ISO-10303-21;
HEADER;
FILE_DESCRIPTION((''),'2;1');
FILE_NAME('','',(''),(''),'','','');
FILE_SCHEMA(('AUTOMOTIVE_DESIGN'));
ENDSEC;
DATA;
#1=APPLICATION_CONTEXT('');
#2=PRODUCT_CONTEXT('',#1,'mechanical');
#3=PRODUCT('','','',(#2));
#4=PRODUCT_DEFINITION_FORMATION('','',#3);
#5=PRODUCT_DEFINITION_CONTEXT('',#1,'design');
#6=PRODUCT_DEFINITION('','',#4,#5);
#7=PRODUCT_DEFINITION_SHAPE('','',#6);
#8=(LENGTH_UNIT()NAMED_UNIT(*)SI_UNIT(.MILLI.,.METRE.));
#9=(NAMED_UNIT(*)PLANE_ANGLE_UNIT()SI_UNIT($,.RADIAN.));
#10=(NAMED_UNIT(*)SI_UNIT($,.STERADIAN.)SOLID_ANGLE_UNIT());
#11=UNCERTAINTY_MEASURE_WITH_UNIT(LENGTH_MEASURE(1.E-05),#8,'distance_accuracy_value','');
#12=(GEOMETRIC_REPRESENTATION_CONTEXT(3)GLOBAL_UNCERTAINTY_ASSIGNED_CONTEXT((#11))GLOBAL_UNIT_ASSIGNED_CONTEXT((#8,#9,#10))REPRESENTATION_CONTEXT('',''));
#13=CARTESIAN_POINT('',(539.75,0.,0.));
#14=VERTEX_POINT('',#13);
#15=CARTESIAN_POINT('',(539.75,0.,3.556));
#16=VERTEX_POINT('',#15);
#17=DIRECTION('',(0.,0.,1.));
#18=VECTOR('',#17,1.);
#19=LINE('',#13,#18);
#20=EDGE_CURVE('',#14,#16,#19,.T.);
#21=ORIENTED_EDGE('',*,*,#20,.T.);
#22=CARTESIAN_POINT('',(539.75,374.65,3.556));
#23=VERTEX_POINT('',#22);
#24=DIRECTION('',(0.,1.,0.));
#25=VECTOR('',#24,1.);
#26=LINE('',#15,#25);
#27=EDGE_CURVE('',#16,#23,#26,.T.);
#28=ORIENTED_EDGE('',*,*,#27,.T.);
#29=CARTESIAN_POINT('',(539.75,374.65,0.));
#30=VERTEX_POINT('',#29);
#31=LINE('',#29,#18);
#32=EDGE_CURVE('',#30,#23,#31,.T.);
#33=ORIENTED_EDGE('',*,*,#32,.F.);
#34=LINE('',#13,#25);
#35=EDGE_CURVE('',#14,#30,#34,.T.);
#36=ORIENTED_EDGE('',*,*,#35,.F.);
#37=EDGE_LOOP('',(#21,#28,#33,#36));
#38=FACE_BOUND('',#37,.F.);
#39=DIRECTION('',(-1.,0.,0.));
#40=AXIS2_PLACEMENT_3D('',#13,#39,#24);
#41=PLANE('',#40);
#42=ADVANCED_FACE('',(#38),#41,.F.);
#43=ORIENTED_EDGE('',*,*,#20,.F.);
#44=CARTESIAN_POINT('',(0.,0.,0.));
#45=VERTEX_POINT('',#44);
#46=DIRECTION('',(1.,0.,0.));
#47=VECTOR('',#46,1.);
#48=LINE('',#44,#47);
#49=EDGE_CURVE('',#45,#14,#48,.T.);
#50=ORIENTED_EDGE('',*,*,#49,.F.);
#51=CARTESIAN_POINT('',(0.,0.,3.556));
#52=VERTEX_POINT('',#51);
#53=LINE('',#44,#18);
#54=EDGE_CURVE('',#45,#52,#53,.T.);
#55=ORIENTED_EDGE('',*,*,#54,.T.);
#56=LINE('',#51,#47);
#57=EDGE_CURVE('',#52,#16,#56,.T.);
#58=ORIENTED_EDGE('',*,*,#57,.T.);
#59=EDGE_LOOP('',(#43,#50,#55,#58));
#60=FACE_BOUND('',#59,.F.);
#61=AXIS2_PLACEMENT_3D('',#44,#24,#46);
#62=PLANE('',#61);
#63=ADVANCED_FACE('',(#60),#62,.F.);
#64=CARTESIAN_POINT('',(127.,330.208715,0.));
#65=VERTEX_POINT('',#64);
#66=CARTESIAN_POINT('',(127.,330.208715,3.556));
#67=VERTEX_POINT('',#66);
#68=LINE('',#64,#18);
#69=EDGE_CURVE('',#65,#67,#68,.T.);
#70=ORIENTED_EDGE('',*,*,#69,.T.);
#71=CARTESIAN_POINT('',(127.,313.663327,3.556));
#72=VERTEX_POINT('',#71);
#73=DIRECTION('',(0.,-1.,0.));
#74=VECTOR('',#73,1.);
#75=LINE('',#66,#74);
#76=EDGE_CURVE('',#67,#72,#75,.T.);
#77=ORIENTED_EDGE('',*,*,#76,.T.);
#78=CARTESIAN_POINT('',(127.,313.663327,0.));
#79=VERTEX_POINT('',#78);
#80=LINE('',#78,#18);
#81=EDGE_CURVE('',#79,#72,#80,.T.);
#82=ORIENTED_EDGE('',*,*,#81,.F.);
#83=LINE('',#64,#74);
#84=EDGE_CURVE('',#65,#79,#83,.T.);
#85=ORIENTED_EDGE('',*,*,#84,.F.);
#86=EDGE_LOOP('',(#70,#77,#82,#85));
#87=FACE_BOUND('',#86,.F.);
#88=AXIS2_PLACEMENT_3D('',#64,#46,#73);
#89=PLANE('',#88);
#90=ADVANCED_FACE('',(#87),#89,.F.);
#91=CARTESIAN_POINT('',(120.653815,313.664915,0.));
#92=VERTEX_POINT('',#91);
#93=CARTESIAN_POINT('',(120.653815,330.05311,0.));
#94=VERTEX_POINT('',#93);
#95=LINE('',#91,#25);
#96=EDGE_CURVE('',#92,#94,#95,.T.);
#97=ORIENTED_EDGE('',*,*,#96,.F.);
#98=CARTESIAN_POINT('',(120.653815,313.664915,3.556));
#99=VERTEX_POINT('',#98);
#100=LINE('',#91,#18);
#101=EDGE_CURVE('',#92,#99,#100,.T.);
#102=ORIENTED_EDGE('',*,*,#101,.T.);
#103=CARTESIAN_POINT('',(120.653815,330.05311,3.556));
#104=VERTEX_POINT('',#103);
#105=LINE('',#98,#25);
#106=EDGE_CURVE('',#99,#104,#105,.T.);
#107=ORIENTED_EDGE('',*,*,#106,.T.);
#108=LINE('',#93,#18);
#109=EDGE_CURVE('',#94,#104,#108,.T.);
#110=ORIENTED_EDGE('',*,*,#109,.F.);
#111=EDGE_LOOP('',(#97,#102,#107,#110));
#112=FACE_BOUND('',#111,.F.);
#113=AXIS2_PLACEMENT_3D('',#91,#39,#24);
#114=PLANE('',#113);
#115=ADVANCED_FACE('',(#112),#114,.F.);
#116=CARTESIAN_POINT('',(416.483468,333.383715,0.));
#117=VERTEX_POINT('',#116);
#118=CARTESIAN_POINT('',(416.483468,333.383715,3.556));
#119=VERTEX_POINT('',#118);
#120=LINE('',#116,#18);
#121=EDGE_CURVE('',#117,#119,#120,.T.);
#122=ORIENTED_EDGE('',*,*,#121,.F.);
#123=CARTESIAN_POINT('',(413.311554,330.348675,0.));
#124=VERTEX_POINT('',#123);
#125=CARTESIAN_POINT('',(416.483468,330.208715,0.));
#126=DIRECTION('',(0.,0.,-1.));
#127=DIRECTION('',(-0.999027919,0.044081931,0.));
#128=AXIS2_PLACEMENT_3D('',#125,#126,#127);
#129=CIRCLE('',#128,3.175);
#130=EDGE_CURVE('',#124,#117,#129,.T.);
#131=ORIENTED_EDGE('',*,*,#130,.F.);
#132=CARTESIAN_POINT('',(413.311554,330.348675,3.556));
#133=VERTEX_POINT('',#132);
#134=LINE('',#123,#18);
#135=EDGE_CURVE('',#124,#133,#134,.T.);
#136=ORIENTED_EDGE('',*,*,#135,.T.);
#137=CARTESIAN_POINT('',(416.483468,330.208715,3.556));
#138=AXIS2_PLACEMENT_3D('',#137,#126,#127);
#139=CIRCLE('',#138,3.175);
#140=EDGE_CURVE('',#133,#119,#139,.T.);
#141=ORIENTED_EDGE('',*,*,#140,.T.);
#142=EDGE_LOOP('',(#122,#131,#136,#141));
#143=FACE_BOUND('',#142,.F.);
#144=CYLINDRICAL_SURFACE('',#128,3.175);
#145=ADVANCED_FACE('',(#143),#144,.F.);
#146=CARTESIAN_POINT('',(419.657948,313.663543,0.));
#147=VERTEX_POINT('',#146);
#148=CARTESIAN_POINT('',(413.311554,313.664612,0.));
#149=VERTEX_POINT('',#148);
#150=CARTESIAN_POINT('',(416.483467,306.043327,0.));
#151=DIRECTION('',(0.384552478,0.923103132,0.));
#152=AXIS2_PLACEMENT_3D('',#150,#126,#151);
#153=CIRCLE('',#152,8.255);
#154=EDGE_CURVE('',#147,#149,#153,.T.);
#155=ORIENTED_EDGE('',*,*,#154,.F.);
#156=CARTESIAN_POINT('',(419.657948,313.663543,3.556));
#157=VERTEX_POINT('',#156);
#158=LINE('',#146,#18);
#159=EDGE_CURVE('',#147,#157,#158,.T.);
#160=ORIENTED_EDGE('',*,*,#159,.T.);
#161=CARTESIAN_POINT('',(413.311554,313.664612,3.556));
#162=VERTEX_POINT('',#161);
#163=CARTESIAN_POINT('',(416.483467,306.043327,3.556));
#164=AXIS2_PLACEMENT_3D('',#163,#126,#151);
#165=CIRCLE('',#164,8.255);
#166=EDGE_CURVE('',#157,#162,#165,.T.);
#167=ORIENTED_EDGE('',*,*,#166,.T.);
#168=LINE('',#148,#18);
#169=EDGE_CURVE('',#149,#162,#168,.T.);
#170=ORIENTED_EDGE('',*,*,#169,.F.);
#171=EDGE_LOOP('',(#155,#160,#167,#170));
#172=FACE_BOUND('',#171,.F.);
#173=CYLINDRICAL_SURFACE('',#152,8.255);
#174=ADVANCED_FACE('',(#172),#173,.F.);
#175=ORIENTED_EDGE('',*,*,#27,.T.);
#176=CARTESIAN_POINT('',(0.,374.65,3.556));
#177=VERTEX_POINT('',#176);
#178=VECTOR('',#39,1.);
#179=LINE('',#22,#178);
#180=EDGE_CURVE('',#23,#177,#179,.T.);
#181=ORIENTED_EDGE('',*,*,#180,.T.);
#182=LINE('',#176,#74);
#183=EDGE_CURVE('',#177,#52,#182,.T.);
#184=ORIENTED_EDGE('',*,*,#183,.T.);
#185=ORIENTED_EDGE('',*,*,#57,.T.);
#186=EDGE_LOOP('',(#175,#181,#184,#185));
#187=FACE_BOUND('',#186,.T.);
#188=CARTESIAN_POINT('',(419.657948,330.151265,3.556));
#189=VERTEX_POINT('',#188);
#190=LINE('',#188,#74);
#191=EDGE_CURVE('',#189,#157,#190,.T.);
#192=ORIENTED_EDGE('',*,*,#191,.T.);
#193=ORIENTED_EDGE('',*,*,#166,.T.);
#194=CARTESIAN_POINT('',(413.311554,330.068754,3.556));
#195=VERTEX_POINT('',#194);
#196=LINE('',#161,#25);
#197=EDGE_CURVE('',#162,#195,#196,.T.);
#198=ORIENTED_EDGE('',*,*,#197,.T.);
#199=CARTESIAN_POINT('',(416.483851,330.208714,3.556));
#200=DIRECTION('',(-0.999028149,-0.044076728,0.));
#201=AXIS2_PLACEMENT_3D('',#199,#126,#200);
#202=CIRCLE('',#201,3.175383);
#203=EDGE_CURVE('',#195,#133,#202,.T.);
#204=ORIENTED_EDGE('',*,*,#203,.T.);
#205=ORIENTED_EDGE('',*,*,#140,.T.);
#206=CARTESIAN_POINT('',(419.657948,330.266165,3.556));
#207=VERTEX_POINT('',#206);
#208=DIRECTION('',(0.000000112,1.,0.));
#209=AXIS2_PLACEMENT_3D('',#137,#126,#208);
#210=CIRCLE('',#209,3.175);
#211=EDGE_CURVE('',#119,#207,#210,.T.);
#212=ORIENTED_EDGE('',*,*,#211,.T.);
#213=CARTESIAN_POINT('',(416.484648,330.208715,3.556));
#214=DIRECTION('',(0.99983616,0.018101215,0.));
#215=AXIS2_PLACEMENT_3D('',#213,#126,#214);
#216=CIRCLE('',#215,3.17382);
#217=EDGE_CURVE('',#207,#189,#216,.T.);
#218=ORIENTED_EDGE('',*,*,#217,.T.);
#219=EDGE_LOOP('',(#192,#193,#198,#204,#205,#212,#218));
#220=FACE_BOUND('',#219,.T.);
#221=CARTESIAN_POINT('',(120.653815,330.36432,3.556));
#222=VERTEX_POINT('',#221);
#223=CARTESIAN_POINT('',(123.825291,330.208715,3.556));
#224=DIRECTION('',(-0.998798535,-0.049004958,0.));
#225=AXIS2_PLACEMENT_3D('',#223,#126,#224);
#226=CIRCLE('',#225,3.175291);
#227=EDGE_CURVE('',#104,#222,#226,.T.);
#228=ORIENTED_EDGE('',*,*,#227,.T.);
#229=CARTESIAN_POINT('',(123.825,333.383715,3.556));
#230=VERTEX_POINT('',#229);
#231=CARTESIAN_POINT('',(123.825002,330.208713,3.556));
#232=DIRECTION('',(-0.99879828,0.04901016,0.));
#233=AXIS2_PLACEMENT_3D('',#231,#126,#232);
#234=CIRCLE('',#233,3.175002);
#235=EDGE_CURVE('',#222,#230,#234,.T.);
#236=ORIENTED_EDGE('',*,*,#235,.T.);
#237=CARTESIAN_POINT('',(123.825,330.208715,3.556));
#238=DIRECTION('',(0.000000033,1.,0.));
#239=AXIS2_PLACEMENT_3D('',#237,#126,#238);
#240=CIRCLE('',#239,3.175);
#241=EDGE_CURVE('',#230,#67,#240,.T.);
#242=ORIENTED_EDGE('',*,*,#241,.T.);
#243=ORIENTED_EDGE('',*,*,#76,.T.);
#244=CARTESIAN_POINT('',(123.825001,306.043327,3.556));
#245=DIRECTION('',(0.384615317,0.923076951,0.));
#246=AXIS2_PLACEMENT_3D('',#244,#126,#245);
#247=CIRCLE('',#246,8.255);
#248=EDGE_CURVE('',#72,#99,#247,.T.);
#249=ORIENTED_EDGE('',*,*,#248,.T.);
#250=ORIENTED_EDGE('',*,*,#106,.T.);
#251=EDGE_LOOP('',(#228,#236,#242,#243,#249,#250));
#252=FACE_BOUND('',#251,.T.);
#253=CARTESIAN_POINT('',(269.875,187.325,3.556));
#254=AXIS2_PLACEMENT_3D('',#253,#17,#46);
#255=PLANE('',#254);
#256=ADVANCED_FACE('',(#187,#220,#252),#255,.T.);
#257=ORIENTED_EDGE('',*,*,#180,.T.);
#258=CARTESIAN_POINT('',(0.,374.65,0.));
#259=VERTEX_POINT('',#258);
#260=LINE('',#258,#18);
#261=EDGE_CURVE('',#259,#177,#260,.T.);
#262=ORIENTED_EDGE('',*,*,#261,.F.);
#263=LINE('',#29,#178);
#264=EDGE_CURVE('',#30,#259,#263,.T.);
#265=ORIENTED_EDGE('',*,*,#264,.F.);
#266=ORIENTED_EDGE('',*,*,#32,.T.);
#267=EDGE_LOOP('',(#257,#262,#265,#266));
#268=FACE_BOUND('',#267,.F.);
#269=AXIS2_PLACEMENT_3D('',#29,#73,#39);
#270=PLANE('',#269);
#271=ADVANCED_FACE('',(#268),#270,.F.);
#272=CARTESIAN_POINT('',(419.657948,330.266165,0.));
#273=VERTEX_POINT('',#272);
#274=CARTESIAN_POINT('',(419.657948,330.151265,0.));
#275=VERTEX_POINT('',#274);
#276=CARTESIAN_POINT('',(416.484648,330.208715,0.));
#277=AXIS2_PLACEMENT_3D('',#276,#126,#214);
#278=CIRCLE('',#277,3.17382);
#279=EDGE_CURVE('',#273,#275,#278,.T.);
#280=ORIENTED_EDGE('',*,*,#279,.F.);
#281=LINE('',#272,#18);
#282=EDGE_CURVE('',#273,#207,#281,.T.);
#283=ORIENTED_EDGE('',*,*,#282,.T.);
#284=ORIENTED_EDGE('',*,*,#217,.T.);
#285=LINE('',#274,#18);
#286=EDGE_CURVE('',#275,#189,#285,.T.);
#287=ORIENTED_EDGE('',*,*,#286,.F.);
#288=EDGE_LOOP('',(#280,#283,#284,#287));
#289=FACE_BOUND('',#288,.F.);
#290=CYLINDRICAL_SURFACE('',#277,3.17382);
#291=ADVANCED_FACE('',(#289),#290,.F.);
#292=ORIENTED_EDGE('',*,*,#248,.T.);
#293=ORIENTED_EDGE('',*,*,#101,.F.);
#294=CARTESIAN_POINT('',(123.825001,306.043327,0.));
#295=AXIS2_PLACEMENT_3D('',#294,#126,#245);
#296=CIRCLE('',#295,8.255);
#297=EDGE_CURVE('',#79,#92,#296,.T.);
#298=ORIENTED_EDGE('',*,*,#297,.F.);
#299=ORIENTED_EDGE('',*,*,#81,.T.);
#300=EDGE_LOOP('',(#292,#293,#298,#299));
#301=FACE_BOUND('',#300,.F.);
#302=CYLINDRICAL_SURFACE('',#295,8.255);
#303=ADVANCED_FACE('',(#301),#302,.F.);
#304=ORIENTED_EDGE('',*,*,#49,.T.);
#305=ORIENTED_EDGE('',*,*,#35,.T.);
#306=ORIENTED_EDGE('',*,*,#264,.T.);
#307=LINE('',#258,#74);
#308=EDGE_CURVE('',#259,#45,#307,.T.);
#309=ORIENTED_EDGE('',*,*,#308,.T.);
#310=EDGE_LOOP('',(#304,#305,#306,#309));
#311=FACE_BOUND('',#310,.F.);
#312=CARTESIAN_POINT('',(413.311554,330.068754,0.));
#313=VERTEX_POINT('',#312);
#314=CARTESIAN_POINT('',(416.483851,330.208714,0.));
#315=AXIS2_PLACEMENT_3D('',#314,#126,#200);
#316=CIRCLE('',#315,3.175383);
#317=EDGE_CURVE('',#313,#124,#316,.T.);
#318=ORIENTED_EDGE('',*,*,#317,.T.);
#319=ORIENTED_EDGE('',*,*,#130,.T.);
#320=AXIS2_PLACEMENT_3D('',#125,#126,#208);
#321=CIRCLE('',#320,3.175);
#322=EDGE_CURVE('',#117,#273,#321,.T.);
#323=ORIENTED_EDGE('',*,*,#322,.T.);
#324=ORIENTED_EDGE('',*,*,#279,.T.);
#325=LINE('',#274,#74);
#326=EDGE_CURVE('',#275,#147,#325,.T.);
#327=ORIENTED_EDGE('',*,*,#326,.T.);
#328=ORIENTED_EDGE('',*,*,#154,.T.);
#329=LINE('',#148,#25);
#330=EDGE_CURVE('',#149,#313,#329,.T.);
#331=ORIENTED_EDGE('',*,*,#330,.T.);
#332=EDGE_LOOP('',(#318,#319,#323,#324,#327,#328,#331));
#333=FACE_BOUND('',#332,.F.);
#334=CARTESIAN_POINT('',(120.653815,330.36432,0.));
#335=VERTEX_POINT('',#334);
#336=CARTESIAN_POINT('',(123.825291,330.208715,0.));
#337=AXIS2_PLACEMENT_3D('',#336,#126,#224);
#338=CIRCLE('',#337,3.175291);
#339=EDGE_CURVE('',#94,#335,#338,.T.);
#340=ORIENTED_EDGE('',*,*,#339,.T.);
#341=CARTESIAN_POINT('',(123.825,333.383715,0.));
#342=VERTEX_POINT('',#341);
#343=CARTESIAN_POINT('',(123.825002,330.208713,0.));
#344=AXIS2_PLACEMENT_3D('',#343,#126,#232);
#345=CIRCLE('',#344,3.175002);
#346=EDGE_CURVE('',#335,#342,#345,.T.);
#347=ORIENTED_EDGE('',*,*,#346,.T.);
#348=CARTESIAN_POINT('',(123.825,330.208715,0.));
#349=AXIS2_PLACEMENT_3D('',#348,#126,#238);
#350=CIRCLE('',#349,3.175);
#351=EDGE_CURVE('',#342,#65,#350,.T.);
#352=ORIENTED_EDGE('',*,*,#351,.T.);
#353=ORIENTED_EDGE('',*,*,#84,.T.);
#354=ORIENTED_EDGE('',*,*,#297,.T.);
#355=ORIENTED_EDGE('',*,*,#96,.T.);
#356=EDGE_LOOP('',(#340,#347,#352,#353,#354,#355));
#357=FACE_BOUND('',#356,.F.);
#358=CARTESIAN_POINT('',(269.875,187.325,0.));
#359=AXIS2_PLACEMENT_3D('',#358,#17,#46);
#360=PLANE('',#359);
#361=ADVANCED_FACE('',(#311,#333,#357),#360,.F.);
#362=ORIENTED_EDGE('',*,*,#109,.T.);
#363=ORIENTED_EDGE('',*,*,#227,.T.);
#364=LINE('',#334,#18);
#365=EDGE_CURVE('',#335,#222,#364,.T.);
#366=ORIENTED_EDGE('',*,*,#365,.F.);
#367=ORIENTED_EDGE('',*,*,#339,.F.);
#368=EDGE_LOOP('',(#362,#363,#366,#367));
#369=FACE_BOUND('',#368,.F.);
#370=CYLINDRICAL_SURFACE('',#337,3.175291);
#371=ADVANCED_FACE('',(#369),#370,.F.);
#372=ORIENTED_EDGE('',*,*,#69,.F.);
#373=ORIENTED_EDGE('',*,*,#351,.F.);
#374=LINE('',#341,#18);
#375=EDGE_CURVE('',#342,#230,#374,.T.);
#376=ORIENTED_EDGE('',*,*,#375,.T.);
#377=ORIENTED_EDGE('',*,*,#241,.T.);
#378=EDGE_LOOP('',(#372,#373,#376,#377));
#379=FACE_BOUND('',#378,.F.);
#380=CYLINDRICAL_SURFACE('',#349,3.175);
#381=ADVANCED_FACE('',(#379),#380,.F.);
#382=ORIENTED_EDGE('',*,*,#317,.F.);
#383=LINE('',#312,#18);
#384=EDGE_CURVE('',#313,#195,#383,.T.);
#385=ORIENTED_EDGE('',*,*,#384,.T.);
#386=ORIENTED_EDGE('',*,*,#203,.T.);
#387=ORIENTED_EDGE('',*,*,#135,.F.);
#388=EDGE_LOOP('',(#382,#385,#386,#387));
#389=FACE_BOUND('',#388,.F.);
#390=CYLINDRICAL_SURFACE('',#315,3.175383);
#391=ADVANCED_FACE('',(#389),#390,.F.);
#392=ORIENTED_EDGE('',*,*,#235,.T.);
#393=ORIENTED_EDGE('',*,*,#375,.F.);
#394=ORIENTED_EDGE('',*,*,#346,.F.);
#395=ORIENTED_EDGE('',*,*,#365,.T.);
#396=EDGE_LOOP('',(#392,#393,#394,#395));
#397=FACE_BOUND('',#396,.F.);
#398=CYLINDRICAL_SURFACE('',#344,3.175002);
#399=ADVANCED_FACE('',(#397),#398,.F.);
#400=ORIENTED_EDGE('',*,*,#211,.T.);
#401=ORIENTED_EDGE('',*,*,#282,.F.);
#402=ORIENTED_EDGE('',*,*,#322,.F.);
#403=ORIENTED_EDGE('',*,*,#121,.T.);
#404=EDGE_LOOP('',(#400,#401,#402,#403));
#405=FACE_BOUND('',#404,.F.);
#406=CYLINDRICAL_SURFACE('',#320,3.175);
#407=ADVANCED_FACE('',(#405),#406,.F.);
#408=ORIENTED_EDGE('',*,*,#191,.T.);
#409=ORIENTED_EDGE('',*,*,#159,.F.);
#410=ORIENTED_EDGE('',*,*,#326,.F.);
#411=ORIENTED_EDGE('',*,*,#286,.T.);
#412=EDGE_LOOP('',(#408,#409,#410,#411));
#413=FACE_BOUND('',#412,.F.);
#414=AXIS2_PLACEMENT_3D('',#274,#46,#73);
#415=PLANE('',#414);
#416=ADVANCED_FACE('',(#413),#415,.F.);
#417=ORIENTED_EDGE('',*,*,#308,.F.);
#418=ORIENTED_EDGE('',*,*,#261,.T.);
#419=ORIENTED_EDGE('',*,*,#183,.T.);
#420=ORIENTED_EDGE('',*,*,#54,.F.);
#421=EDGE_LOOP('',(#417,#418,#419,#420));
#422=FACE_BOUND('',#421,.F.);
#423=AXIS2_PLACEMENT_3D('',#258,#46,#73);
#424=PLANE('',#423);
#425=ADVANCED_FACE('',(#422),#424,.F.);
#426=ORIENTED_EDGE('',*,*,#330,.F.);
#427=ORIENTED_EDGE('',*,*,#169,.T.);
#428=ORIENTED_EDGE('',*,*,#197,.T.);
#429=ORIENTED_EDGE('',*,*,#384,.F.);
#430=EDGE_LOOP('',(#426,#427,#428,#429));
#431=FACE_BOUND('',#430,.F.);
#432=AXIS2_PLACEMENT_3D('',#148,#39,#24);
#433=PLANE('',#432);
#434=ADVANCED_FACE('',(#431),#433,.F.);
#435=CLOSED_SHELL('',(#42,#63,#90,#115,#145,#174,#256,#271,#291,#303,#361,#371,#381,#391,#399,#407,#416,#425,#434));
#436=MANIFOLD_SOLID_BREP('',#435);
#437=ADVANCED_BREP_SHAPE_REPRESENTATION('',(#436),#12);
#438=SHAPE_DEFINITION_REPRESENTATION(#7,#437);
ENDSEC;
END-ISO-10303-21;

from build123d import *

# Parameters (mm, degrees)
F1_DEPTH = 3.556


with BuildPart() as f1:
    # F0 (on Top) → F1 (new body)
    with BuildSketch(Plane.XY):
        Polygon((0, 374.65), (0, 0), (539.75, 0), (539.75, 374.65), (416.483468, 374.65), (123.825, 374.65), align=None)
        with BuildLine():
            ThreePointArc((120.653815, 330.36432), (121.635642, 332.508135), (123.825, 333.383715))
            ThreePointArc((123.825, 333.383715), (126.070064, 332.453779), (127, 330.208715))
            Line((127, 330.208715), (127, 313.663327))
            ThreePointArc((127, 313.663327), (123.822934, 297.788327), (120.653815, 313.664915))
            Line((120.653815, 313.664915), (120.653815, 330.05311))
            ThreePointArc((120.653815, 330.05311), (120.65, 330.208715), (120.653815, 330.36432))
        make_face(mode=Mode.SUBTRACT)
        with BuildLine():
            ThreePointArc((413.311554, 330.348675), (414.288445, 332.502729), (416.483468, 333.383715))
            ThreePointArc((416.483468, 333.383715), (418.708128, 332.473999), (419.657948, 330.266165))
            ThreePointArc((419.657948, 330.266165), (419.658468, 330.208715), (419.657948, 330.151265))
            Line((419.657948, 330.151265), (419.657948, 313.663543))
            ThreePointArc((419.657948, 313.663543), (416.482078, 297.788327), (413.311554, 313.664612))
            Line((413.311554, 313.664612), (413.311554, 330.068754))
            ThreePointArc((413.311554, 330.068754), (413.308468, 330.208715), (413.311554, 330.348675))
        make_face(mode=Mode.SUBTRACT)
    extrude(amount=F1_DEPTH)


solid = f1.part
